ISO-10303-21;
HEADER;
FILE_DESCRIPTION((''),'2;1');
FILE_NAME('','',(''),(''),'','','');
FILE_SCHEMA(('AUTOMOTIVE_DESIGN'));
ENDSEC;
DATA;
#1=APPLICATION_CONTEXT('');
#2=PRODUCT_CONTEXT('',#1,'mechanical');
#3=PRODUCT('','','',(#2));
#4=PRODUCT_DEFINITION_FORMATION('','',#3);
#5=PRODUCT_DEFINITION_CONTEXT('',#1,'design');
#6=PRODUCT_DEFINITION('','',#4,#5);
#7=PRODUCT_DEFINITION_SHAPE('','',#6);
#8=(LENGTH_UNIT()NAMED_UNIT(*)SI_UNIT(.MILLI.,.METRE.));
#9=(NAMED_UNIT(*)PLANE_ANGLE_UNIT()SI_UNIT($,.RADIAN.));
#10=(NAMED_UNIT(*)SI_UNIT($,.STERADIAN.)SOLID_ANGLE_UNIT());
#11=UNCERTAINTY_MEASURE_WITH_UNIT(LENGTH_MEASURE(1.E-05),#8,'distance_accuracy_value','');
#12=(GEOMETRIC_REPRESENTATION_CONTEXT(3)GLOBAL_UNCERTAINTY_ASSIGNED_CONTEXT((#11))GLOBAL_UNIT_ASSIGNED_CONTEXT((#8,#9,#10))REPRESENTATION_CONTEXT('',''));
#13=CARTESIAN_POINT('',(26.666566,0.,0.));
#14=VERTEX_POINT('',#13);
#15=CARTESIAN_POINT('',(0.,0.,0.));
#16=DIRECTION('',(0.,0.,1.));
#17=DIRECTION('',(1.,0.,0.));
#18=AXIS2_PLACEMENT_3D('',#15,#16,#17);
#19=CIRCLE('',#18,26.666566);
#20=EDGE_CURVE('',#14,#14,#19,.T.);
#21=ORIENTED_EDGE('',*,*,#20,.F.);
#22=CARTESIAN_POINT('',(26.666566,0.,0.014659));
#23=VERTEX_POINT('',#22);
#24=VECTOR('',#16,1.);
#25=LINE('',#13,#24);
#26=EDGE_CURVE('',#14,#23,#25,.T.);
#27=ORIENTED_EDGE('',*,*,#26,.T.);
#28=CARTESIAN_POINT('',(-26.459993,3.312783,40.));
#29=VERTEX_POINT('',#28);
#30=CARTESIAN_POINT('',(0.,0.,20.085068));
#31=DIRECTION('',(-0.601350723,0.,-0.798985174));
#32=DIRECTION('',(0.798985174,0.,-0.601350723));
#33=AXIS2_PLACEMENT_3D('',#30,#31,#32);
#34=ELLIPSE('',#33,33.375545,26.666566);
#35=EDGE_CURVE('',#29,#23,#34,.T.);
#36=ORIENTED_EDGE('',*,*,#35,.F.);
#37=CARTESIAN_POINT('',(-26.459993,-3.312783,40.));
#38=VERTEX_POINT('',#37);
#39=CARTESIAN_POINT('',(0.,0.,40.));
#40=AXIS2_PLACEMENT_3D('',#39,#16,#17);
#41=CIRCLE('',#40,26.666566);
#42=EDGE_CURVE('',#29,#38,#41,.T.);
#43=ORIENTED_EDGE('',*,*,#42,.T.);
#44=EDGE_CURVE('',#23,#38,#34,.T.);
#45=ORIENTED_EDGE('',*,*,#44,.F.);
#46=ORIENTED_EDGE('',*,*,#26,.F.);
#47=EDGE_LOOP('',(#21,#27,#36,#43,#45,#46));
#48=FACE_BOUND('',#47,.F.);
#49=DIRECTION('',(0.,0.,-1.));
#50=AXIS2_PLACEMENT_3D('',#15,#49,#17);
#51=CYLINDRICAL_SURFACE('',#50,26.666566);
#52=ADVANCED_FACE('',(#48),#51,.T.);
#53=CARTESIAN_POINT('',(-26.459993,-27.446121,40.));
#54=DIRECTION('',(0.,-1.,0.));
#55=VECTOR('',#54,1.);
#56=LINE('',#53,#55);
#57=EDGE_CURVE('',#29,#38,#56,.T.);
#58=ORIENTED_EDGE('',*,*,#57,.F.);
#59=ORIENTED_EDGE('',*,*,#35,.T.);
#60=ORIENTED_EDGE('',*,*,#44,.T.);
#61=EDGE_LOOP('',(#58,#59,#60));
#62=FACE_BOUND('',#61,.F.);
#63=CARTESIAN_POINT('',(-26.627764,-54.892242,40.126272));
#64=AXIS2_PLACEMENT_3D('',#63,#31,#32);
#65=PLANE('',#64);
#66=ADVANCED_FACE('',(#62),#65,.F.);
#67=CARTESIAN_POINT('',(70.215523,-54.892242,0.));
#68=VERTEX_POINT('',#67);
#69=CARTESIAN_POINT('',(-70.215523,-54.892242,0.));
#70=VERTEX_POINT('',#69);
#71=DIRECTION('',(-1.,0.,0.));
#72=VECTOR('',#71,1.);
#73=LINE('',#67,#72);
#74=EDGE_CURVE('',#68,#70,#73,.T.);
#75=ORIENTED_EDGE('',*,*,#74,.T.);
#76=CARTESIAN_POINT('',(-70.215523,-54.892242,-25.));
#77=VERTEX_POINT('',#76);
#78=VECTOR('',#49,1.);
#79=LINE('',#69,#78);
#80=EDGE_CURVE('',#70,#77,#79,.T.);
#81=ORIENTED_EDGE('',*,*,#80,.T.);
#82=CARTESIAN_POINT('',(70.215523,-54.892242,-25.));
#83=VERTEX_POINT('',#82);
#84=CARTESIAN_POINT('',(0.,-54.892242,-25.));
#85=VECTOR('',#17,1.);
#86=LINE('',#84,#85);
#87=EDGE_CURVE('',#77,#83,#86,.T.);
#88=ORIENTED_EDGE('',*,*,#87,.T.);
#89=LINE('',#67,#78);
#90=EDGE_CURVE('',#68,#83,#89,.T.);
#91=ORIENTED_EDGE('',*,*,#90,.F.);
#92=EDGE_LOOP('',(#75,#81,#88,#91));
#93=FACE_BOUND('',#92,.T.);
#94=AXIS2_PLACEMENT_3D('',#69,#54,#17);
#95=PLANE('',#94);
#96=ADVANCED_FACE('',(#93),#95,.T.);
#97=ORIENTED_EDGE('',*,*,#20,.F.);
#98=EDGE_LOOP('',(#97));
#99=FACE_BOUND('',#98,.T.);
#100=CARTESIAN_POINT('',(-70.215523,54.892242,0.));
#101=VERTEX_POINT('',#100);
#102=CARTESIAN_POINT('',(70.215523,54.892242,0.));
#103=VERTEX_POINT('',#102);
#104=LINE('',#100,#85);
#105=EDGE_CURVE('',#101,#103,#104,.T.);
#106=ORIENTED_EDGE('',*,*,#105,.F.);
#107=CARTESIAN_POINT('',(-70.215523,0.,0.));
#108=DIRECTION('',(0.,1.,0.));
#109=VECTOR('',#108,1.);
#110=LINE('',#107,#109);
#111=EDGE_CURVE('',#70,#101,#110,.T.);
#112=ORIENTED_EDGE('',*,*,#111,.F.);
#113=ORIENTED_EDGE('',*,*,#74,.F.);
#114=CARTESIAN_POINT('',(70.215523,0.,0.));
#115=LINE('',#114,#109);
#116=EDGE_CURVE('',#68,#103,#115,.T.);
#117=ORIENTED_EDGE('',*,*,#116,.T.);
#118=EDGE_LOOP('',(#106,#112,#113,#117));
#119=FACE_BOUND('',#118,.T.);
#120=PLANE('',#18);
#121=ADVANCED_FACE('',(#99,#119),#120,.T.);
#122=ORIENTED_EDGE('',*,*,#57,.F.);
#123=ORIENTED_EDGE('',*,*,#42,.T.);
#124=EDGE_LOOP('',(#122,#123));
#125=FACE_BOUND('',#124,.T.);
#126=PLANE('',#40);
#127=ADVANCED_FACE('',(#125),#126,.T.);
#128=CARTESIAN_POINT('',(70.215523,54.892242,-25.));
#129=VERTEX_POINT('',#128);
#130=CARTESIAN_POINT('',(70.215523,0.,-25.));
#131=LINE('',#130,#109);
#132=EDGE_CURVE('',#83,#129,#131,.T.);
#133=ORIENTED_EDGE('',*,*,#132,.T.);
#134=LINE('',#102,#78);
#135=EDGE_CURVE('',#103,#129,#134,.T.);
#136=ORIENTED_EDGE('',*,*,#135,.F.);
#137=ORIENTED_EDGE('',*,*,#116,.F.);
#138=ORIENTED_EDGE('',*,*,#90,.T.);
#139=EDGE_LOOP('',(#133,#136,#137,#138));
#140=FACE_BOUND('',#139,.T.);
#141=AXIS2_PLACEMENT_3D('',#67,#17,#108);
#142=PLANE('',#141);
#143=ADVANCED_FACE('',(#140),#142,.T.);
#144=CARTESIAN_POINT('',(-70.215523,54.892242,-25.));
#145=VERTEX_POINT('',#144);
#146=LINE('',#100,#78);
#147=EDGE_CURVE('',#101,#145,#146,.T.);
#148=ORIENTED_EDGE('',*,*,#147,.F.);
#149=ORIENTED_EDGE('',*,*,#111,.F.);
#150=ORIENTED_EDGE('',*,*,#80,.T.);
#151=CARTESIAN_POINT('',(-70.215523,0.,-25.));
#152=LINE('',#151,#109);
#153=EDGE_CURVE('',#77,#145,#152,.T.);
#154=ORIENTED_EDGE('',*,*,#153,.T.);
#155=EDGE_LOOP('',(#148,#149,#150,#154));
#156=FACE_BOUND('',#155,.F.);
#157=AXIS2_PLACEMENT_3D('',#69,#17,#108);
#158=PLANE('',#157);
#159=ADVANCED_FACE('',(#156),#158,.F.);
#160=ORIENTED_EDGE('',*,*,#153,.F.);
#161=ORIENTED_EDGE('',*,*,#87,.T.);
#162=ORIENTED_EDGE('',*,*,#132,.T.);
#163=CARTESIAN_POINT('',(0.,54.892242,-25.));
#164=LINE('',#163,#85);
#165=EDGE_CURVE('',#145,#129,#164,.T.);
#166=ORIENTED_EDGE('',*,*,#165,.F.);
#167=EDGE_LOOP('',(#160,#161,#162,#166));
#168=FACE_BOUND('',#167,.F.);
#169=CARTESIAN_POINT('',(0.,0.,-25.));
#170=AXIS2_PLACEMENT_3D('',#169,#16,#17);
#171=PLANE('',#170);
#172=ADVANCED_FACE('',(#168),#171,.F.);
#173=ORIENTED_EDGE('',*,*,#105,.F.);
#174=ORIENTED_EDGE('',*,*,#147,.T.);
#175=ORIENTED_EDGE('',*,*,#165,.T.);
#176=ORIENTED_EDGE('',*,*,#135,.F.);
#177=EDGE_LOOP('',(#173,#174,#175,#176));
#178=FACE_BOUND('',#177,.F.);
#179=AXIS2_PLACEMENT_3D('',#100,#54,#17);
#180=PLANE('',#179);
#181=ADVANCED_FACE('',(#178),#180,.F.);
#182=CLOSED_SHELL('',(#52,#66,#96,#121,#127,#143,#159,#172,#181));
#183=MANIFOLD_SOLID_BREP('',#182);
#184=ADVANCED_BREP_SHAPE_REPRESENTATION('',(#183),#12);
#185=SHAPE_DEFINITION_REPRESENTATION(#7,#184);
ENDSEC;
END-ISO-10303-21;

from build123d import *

# Parameters (mm, degrees)
F0_W     = 140.431046
F0_H     = 109.784484
F1_DEPTH = 25
F2_R     = 26.666566
F3_DEPTH = 40
F5_DEPTH = 128


with BuildPart() as f1:
    # F0 (on Top) → F1 (new body)
    with BuildSketch(Plane.XY):
        Rectangle(F0_W, F0_H)
    extrude(amount=-F1_DEPTH)

    # F2 (on face) → F3 (join)
    with BuildSketch(Plane.XY):
        Circle(F2_R)
    extrude(amount=F3_DEPTH)

    # F4 (on face) → F5 (cut)
    with BuildSketch(Plane.XZ.offset(54.892242)):
        Polygon((-26.627764, 40.126272), (26.686043, 0), (26.686043, 40.126272), align=None)
    extrude(amount=-F5_DEPTH, mode=Mode.SUBTRACT)


solid = f1.part
